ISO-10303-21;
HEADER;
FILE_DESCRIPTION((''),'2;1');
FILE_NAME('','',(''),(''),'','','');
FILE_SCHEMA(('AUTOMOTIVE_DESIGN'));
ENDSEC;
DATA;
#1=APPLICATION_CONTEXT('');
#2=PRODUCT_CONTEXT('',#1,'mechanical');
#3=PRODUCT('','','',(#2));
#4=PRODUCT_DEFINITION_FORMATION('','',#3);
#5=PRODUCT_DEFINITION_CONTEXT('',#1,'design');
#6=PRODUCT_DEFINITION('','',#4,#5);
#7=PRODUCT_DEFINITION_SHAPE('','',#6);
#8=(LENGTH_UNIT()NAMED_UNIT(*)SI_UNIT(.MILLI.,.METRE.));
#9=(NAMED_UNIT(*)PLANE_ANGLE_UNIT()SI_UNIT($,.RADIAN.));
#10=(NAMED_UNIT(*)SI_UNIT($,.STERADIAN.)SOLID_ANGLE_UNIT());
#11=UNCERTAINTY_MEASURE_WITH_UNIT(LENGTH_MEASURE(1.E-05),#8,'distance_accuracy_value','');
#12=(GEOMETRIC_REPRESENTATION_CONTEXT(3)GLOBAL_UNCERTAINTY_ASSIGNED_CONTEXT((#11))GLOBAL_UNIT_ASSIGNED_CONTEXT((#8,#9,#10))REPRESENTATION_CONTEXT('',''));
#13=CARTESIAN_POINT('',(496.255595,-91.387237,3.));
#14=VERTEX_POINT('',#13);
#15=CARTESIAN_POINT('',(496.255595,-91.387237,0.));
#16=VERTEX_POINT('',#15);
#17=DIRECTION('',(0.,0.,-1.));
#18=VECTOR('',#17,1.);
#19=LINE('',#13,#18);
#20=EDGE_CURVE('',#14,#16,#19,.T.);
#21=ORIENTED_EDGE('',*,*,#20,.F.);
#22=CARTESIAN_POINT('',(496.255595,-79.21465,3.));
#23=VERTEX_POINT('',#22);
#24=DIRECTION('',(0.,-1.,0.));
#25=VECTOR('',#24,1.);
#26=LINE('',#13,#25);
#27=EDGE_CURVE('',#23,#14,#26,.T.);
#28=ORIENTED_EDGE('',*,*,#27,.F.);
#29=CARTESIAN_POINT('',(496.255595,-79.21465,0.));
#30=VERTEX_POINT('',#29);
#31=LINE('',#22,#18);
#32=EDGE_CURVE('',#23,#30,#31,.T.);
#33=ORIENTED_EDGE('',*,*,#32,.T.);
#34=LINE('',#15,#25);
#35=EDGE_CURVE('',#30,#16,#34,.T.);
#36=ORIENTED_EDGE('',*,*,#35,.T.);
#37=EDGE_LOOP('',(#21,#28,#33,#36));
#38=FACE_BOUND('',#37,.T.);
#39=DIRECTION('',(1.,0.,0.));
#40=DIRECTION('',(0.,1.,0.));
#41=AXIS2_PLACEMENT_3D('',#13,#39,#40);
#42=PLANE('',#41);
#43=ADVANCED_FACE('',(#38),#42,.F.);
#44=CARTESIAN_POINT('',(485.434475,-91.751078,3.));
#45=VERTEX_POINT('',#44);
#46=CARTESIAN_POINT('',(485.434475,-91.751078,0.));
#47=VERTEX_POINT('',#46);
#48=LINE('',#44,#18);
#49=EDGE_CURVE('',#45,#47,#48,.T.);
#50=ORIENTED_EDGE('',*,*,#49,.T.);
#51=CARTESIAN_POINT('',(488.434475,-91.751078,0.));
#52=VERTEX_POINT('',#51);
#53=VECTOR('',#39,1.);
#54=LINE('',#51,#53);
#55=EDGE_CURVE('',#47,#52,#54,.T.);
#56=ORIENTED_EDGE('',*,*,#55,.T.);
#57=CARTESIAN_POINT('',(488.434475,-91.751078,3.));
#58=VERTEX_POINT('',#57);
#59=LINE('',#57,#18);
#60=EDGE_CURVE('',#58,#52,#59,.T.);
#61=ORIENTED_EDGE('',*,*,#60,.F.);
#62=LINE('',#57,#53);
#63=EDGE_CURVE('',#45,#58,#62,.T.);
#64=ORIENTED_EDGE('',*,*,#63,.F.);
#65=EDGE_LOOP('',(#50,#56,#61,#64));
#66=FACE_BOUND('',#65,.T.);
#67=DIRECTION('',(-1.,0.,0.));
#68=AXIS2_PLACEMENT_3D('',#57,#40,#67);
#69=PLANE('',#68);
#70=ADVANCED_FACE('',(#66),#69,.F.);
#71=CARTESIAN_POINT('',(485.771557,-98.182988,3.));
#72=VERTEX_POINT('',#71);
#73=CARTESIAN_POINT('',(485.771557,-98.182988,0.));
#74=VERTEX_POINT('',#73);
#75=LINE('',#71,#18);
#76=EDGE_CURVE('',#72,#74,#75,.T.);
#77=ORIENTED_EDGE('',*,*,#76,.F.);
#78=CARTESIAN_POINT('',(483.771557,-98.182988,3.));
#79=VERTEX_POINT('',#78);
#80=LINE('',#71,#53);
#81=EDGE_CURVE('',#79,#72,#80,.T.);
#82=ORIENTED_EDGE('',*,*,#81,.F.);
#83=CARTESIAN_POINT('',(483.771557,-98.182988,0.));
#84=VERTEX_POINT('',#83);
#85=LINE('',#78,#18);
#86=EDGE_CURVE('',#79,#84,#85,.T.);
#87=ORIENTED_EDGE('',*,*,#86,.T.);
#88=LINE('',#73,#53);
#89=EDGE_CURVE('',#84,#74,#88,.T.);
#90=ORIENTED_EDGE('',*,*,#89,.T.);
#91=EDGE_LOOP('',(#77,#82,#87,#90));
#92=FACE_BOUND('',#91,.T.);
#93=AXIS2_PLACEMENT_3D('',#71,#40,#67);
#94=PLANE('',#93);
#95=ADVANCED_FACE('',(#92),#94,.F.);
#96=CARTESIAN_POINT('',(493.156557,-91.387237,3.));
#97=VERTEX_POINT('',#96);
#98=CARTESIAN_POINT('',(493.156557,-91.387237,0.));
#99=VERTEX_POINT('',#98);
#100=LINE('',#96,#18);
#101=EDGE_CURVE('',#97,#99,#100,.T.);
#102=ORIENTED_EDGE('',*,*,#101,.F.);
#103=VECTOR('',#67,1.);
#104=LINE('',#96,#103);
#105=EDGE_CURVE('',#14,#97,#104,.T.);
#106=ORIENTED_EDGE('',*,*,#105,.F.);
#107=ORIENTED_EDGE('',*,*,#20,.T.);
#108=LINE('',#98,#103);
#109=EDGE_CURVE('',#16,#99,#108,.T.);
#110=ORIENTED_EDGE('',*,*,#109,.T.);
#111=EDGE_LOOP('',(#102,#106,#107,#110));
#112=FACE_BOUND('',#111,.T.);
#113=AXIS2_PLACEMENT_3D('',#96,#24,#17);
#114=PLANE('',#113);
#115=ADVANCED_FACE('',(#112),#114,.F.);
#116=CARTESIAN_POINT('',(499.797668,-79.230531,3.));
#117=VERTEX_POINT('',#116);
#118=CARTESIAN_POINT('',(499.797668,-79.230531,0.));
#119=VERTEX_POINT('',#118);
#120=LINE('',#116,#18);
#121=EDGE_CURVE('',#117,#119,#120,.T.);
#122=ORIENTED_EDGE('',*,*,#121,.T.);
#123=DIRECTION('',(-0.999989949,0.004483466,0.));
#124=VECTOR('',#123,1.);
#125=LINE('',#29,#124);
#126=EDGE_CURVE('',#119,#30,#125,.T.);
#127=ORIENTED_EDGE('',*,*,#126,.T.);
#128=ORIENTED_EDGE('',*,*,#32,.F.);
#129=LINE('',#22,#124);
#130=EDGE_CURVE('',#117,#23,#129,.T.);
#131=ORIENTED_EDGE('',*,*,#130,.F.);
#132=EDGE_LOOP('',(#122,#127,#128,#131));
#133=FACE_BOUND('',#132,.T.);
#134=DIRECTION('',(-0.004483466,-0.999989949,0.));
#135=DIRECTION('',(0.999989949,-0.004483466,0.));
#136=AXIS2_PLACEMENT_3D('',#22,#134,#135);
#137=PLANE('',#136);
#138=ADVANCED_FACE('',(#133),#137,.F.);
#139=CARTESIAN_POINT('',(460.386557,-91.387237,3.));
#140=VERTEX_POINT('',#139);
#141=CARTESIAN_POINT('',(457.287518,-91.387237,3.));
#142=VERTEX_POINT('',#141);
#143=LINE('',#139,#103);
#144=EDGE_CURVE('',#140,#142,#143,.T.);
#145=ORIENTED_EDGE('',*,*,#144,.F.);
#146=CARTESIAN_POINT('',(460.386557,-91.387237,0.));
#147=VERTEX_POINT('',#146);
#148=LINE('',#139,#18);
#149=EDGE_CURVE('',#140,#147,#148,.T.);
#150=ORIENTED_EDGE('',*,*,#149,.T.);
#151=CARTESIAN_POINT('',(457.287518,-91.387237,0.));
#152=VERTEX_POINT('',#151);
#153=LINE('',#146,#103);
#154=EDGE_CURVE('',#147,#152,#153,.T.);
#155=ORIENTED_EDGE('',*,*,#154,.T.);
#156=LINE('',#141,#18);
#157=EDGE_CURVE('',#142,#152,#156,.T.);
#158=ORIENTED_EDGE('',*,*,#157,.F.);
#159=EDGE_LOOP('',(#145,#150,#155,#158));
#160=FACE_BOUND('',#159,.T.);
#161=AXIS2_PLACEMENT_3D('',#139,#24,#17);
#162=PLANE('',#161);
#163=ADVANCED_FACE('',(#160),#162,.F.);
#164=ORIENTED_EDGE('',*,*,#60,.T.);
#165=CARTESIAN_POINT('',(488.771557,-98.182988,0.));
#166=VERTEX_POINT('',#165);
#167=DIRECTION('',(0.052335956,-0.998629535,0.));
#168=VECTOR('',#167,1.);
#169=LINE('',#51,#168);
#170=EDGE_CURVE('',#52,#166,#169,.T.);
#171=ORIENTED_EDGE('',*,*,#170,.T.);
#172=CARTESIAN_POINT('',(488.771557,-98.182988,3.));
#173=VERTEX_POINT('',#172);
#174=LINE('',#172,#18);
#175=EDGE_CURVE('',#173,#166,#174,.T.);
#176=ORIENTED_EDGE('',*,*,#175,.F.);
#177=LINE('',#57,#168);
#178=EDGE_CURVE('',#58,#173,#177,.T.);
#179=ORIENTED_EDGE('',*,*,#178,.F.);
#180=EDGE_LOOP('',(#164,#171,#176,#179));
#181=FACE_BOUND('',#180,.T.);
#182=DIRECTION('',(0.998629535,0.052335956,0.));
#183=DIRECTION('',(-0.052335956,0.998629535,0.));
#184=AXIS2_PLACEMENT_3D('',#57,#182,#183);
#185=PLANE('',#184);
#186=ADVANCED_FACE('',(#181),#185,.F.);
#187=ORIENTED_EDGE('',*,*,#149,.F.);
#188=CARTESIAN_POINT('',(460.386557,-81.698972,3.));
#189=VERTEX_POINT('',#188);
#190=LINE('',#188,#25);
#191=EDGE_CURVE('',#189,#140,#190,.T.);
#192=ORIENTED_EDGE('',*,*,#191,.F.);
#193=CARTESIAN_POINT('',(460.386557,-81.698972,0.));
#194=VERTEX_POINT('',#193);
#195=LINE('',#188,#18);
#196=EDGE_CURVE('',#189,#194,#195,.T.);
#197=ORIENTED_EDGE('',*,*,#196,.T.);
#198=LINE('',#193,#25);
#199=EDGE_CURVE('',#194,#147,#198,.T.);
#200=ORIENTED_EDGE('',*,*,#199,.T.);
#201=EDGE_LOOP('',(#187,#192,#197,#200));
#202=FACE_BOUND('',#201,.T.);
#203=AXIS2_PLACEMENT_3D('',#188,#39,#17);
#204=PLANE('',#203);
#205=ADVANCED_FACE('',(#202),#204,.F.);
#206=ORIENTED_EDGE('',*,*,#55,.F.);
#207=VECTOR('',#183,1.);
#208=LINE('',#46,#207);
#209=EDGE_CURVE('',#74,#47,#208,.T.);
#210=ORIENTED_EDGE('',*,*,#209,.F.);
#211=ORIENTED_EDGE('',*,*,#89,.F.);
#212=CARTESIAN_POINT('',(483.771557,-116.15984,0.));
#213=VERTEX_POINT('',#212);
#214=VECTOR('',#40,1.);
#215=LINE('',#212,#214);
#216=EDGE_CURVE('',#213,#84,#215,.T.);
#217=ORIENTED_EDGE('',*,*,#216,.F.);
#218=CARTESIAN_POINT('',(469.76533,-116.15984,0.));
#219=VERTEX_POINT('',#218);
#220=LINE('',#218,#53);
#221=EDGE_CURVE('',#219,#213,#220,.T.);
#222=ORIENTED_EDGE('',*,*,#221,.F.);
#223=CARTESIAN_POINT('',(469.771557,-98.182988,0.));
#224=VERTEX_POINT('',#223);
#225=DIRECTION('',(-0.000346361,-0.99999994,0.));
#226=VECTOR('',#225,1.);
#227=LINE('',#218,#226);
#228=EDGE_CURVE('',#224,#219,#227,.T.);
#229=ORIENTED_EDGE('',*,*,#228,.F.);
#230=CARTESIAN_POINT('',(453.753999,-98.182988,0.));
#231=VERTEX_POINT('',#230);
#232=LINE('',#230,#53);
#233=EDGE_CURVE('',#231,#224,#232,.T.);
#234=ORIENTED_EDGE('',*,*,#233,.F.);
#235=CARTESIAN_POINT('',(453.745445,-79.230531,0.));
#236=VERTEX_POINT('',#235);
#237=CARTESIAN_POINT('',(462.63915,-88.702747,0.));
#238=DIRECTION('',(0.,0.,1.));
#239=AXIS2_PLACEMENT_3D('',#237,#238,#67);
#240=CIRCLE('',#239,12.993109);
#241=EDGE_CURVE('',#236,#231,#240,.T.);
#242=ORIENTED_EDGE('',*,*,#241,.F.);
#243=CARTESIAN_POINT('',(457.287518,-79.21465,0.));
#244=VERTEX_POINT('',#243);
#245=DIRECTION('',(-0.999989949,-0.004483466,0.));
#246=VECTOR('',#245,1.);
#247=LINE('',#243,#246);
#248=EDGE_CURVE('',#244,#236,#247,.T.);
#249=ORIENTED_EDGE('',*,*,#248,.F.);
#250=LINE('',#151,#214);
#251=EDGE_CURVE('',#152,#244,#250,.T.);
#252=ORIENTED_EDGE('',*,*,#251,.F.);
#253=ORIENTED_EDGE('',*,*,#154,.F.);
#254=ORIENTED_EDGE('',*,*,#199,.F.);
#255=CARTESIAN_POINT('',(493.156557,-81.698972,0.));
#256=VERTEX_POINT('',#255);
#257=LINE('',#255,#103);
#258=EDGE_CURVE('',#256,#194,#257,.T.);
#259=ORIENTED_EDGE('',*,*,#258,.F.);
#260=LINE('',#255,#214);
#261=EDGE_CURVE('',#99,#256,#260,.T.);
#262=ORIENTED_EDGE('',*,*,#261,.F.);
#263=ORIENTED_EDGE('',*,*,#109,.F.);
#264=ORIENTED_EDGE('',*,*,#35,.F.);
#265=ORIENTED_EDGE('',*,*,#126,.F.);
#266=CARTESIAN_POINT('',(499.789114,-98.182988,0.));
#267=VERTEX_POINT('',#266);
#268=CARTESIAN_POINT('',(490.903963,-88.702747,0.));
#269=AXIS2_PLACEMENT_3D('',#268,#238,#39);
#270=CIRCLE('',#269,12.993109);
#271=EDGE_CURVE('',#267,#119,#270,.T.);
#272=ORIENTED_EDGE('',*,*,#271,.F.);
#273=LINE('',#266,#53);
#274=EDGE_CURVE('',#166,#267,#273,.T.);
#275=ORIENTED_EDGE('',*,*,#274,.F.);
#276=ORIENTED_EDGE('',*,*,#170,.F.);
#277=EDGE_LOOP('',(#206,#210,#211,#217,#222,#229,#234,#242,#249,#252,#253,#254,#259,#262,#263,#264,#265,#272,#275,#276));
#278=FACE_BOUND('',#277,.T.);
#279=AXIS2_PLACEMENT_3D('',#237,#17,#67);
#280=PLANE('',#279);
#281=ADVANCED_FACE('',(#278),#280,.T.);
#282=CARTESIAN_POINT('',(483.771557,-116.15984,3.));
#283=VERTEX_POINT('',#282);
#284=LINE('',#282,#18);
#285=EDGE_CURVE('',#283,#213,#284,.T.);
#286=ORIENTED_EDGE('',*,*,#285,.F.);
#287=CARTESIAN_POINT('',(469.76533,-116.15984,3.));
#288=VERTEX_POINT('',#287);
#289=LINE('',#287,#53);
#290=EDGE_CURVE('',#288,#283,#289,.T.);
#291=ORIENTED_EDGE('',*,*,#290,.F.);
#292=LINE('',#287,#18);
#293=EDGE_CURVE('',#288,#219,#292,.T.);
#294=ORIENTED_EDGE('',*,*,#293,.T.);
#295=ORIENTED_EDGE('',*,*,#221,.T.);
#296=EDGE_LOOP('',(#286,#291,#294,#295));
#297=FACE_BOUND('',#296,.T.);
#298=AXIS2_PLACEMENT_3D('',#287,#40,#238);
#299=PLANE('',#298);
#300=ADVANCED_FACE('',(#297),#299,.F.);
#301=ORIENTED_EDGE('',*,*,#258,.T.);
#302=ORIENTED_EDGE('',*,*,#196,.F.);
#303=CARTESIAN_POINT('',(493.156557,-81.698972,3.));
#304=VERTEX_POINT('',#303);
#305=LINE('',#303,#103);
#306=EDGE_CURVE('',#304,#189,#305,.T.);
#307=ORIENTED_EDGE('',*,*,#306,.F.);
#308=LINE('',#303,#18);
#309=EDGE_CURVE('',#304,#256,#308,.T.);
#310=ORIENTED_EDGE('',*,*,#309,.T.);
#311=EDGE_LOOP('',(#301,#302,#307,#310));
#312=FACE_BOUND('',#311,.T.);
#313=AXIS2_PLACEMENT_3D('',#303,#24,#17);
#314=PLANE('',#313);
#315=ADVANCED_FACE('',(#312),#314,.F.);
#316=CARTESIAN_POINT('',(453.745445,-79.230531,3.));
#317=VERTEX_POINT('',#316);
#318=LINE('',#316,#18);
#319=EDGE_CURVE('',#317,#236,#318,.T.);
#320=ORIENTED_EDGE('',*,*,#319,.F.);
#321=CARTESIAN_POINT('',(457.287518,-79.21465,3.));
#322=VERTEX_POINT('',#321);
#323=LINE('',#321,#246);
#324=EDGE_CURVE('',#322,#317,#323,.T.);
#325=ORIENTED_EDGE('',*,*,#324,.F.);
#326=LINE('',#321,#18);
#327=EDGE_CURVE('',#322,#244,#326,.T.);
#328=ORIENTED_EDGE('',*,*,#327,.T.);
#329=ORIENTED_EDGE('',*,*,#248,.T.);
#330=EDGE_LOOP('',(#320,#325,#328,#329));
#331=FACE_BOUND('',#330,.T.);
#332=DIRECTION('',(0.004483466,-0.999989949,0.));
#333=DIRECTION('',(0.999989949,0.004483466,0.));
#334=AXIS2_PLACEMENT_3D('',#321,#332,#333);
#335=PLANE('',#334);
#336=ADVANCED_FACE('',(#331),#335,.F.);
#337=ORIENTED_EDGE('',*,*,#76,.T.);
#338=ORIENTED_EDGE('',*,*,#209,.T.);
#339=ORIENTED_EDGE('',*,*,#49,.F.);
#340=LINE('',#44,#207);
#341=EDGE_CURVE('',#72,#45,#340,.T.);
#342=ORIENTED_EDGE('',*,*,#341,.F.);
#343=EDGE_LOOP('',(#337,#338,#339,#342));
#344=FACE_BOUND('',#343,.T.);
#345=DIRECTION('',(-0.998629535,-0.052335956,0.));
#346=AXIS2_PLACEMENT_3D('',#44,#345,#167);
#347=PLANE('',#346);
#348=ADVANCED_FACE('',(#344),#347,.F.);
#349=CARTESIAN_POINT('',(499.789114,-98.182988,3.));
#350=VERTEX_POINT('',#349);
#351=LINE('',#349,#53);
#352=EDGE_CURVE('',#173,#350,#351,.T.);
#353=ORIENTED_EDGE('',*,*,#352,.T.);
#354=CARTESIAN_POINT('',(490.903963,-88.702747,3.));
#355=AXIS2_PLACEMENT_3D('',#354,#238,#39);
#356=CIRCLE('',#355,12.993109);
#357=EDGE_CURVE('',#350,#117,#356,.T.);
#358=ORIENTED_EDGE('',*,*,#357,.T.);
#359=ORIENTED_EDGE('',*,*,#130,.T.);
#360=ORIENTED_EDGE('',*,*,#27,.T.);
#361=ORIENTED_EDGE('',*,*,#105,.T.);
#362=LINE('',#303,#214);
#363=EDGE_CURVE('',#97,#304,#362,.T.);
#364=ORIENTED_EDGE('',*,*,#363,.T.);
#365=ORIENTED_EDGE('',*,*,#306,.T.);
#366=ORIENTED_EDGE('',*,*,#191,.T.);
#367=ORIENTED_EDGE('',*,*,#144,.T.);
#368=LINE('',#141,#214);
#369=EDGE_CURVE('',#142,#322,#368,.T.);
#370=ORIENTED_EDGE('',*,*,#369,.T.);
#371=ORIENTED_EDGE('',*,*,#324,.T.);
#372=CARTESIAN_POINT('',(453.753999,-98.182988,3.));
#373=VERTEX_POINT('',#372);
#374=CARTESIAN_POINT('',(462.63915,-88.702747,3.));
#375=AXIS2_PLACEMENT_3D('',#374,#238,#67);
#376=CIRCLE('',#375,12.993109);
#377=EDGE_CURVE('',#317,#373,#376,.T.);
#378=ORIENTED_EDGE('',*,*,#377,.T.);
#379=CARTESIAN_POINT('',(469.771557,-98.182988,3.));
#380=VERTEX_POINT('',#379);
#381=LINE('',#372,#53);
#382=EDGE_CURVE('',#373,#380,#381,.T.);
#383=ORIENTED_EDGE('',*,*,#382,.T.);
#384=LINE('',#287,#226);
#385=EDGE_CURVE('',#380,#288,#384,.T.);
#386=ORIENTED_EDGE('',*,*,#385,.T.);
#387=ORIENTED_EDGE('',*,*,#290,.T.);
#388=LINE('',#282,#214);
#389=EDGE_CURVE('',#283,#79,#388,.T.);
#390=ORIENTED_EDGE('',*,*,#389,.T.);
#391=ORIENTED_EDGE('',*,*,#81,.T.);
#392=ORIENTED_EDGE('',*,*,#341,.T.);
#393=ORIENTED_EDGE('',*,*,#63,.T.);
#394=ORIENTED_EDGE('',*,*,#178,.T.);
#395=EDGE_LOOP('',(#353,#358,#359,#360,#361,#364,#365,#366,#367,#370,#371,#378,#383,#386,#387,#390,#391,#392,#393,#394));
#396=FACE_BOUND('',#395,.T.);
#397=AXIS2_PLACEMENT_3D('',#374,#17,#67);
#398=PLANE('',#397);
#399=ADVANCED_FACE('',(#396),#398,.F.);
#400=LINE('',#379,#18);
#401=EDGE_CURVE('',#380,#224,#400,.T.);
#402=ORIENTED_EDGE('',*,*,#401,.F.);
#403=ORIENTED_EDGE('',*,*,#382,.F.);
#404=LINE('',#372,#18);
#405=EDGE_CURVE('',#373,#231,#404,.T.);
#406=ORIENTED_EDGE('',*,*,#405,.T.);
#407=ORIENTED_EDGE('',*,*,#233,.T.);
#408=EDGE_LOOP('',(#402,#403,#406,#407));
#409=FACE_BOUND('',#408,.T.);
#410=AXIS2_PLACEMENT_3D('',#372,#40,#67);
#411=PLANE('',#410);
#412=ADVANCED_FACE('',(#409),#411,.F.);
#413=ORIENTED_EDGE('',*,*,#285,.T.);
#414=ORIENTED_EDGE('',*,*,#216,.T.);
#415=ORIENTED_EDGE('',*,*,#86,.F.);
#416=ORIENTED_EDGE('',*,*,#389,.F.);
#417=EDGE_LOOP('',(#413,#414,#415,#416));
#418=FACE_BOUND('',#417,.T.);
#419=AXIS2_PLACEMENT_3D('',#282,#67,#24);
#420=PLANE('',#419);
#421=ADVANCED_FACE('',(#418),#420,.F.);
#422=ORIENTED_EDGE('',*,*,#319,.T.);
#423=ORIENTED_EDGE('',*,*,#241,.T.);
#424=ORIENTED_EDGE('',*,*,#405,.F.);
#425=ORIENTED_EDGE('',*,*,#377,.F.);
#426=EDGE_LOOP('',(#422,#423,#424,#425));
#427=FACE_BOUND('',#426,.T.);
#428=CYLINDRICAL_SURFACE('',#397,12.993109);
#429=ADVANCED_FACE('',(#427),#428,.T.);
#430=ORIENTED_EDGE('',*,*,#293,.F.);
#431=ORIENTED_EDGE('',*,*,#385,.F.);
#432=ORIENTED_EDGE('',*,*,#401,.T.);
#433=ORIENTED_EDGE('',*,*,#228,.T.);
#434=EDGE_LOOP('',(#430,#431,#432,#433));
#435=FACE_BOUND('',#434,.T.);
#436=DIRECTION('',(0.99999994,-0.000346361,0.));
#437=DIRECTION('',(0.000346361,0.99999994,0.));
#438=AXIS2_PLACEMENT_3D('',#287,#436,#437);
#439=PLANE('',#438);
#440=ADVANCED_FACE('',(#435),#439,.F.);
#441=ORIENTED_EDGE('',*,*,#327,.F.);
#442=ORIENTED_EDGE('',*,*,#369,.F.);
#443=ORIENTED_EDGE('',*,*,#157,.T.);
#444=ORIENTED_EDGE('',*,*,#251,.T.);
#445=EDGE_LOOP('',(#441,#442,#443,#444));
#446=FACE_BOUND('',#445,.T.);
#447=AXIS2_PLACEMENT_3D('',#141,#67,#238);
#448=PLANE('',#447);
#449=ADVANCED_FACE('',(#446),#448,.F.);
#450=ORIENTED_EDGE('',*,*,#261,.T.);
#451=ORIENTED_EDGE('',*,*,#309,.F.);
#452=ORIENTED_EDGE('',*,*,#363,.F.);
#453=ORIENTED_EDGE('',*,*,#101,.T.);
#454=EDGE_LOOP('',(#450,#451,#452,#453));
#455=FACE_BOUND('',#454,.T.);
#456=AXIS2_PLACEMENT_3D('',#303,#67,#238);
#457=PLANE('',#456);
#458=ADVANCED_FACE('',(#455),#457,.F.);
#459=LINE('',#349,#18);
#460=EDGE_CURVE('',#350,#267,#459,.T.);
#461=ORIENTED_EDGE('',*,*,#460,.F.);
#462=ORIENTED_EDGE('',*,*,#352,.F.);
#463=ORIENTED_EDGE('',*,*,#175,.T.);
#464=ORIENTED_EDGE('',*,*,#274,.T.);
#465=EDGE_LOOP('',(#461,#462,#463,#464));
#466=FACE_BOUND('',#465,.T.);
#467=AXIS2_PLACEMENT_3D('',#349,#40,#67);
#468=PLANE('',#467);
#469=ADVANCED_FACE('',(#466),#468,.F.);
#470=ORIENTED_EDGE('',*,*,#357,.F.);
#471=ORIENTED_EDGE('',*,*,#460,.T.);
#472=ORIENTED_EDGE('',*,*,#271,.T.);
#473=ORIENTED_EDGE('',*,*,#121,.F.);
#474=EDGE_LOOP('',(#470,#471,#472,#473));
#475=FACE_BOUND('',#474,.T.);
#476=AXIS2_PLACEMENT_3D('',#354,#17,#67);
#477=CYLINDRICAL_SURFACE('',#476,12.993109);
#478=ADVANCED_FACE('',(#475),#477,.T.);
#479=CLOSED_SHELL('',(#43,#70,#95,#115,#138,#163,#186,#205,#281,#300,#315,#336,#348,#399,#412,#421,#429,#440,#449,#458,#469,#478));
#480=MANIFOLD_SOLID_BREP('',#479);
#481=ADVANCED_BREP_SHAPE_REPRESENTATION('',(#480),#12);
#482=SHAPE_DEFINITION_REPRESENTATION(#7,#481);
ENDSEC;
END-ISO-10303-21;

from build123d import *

# Parameters (mm, degrees)
BASE_EXTRUDE_DEPTH = 3


with BuildPart() as part:
    # Sketch1 → Base-Extrude (new body)
    with BuildSketch(Plane.XY):
        with BuildLine():
            Line((457.287518249, -79.214649933), (453.745445311, -79.230530857))
            ThreePointArc((453.745445311, -79.230530857), (449.646042877, -88.708611573), (453.753998991, -98.182988118))
            Line((453.753998991, -98.182988118), (469.771556658, -98.182988118))
            Line((469.771556658, -98.182988118), (469.765330169, -116.15983969))
            Line((469.765330169, -116.15983969), (483.771556658, -116.15983969))
            Line((483.771556658, -116.15983969), (483.771556658, -98.182988118))
            Line((483.771556658, -98.182988118), (485.771556658, -98.182988118))
            Line((485.771556658, -98.182988118), (485.434474546, -91.751078274))
            Line((485.434474546, -91.751078274), (488.434474546, -91.751078274))
            Line((488.434474546, -91.751078274), (488.771556658, -98.182988118))
            Line((488.771556658, -98.182988118), (499.789114325, -98.182988118))
            ThreePointArc((499.789114325, -98.182988118), (503.897070438, -88.708611573), (499.797668004, -79.230530857))
            Line((499.797668004, -79.230530857), (496.255595066, -79.214649933))
            Line((496.255595066, -79.214649933), (496.255595066, -91.387236838))
            Line((496.255595066, -91.387236838), (493.156556658, -91.387236838))
            Line((493.156556658, -91.387236838), (493.156556658, -81.698972351))
            Line((493.156556658, -81.698972351), (460.386556658, -81.698972351))
            Line((460.386556658, -81.698972351), (460.386556658, -91.387236838))
            Line((460.386556658, -91.387236838), (457.287518249, -91.387236838))
            Line((457.287518249, -91.387236838), (457.287518249, -79.214649933))
        make_face()
    extrude(amount=BASE_EXTRUDE_DEPTH)


solid = part.part
